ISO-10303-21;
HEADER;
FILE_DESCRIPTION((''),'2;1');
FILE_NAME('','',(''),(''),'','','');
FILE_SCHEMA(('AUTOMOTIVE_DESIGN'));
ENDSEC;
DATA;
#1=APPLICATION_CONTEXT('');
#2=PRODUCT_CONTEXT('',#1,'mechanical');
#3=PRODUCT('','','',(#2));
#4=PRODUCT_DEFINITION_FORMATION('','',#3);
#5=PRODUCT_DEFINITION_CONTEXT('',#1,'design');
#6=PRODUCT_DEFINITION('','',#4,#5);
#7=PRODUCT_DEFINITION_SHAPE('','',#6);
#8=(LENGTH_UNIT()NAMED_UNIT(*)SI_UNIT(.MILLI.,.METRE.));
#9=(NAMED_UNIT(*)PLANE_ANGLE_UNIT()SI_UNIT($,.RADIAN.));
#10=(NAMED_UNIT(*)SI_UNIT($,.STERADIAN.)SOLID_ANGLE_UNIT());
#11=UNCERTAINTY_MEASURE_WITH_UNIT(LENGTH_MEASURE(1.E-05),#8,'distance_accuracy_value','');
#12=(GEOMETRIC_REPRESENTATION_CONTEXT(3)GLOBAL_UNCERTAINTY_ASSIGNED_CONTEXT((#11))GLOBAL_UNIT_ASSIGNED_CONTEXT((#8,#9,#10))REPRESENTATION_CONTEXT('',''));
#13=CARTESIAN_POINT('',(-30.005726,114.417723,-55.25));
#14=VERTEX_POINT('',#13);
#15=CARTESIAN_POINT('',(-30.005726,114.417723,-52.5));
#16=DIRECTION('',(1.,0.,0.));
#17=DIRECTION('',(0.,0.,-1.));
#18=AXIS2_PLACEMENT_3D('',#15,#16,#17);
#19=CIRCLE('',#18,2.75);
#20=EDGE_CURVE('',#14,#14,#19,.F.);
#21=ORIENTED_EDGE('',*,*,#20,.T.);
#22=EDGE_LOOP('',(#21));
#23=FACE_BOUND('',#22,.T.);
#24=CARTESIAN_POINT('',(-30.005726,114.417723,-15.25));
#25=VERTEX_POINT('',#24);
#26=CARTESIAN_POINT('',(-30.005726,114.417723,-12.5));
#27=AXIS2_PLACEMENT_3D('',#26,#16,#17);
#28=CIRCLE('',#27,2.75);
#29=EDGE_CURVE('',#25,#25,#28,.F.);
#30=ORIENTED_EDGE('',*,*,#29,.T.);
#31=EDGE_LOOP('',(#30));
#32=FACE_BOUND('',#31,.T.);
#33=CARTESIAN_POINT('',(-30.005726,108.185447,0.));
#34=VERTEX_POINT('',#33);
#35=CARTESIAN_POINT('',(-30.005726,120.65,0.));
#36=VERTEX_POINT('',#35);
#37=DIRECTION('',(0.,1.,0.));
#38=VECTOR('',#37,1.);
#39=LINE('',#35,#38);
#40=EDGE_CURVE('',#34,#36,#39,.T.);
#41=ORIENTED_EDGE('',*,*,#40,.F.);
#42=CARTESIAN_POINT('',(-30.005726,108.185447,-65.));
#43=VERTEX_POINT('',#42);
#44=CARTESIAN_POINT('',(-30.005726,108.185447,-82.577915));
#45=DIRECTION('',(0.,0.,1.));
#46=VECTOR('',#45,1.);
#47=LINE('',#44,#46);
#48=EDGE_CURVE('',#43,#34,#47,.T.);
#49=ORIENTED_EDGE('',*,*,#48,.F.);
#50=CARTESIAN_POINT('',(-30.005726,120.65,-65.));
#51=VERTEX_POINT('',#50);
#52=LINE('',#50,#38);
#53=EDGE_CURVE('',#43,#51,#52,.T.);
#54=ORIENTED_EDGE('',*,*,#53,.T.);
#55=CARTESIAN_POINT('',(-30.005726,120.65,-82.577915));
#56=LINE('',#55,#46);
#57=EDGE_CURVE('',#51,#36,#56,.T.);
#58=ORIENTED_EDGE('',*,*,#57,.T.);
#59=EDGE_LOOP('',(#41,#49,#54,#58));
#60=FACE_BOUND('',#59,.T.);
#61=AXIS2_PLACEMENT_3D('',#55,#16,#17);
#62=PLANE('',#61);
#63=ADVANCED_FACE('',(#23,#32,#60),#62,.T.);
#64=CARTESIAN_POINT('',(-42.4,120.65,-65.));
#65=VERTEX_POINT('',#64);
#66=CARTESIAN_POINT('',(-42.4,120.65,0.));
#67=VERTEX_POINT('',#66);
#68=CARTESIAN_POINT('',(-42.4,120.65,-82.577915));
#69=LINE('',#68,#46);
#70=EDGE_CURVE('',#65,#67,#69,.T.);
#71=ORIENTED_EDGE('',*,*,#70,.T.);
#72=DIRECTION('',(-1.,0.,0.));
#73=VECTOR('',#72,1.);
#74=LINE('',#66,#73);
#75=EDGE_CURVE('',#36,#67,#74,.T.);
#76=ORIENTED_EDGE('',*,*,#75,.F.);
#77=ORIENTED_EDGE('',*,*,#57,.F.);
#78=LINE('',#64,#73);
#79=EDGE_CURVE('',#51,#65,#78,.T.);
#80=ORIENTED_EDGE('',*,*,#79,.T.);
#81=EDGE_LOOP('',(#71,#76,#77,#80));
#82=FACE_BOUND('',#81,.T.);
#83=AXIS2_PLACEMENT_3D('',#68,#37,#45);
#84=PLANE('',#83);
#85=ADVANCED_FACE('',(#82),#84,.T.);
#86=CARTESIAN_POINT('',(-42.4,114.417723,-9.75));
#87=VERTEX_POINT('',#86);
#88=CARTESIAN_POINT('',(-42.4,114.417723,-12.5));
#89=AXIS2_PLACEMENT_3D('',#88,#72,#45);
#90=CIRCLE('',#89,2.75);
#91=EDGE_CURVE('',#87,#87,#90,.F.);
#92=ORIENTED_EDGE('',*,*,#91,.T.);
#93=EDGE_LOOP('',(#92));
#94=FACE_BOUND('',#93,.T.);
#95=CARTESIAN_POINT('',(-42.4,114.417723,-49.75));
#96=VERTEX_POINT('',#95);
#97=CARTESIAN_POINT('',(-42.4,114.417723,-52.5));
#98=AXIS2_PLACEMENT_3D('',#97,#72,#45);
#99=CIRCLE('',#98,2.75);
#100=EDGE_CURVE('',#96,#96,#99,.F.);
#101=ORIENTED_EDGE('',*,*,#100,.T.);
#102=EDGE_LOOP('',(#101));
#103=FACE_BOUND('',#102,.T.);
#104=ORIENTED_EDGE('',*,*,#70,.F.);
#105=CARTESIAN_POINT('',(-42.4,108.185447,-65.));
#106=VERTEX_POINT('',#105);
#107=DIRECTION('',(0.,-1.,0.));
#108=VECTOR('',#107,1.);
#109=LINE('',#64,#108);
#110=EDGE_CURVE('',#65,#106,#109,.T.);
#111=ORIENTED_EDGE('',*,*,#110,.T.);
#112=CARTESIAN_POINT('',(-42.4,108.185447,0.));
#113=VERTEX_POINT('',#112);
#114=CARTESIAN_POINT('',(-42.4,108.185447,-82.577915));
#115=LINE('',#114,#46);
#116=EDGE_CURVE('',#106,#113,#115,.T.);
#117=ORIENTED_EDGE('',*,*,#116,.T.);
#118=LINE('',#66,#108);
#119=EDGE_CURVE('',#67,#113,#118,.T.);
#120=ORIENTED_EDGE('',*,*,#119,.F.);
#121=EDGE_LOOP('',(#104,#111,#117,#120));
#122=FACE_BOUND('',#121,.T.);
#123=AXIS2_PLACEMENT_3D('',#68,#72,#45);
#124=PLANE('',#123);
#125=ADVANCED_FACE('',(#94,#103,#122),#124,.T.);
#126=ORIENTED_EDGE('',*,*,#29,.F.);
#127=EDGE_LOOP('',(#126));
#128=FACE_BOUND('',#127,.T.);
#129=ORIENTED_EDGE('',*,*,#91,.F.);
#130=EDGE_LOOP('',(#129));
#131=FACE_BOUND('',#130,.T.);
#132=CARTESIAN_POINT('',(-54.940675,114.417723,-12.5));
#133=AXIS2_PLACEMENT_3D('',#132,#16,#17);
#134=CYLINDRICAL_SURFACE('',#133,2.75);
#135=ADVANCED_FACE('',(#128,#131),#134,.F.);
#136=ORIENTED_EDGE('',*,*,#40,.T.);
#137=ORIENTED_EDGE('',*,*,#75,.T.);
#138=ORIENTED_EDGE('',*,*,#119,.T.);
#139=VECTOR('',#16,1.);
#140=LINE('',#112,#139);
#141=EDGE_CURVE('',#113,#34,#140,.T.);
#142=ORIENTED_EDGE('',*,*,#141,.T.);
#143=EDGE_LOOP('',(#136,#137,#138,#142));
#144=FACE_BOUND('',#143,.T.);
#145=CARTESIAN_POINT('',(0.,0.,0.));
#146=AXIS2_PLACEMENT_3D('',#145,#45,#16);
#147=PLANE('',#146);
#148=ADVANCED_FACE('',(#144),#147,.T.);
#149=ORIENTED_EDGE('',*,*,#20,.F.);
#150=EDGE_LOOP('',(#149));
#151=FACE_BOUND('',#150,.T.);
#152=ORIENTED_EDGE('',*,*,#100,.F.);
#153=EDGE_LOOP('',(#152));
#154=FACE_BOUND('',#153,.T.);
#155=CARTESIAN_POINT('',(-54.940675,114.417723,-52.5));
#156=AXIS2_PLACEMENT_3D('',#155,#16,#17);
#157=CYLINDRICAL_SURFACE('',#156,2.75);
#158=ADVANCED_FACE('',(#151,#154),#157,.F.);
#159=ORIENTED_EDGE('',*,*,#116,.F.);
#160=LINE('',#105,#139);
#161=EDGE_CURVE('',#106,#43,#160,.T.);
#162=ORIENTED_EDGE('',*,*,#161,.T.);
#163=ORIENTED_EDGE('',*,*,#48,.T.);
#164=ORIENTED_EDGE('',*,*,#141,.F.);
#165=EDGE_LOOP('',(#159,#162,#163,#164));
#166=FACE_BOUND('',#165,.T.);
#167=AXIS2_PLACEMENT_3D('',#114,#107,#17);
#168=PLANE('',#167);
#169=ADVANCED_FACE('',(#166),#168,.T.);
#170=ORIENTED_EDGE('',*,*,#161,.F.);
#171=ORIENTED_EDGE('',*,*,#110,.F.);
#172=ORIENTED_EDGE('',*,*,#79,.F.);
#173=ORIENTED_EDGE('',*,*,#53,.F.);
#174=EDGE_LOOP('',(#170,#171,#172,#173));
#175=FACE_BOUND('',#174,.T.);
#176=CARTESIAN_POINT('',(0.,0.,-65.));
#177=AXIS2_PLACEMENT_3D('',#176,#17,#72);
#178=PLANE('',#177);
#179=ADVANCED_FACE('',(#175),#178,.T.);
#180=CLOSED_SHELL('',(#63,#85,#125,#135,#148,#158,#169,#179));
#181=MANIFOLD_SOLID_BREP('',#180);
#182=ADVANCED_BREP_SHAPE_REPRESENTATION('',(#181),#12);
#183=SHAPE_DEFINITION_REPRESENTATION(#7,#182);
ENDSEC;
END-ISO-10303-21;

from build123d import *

# Parameters (mm, degrees)
SKETCH1_W           = 12.394273752
SKETCH1_H           = 12.46455313
BOSS_EXTRUDE1_DEPTH = 65
CUT_EXTRUDE1_START  = -12.394274
SKETCH2_R           = 2.75
CUT_EXTRUDE1_DEPTH  = 12.394274


with BuildPart() as part:
    # Sketch1 → Boss-Extrude1 (new body)
    with BuildSketch(Plane.XY):
        with Locations((-36.202863124, 114.417723435)):
            Rectangle(SKETCH1_W, SKETCH1_H)
    extrude(amount=-BOSS_EXTRUDE1_DEPTH)

    # Sketch2 → Cut-Extrude1 (cut)
    with BuildSketch(Plane.ZY.offset(42.4).offset(CUT_EXTRUDE1_START)):
        with Locations(Location((-52.5, 114.417723435, 0), (0, 0, 180))):
            Circle(SKETCH2_R)
        with Locations(Location((-12.5, 114.417723435, 0), (0, 0, 180))):
            Circle(SKETCH2_R)
    extrude(amount=CUT_EXTRUDE1_DEPTH, mode=Mode.SUBTRACT)


solid = part.part
